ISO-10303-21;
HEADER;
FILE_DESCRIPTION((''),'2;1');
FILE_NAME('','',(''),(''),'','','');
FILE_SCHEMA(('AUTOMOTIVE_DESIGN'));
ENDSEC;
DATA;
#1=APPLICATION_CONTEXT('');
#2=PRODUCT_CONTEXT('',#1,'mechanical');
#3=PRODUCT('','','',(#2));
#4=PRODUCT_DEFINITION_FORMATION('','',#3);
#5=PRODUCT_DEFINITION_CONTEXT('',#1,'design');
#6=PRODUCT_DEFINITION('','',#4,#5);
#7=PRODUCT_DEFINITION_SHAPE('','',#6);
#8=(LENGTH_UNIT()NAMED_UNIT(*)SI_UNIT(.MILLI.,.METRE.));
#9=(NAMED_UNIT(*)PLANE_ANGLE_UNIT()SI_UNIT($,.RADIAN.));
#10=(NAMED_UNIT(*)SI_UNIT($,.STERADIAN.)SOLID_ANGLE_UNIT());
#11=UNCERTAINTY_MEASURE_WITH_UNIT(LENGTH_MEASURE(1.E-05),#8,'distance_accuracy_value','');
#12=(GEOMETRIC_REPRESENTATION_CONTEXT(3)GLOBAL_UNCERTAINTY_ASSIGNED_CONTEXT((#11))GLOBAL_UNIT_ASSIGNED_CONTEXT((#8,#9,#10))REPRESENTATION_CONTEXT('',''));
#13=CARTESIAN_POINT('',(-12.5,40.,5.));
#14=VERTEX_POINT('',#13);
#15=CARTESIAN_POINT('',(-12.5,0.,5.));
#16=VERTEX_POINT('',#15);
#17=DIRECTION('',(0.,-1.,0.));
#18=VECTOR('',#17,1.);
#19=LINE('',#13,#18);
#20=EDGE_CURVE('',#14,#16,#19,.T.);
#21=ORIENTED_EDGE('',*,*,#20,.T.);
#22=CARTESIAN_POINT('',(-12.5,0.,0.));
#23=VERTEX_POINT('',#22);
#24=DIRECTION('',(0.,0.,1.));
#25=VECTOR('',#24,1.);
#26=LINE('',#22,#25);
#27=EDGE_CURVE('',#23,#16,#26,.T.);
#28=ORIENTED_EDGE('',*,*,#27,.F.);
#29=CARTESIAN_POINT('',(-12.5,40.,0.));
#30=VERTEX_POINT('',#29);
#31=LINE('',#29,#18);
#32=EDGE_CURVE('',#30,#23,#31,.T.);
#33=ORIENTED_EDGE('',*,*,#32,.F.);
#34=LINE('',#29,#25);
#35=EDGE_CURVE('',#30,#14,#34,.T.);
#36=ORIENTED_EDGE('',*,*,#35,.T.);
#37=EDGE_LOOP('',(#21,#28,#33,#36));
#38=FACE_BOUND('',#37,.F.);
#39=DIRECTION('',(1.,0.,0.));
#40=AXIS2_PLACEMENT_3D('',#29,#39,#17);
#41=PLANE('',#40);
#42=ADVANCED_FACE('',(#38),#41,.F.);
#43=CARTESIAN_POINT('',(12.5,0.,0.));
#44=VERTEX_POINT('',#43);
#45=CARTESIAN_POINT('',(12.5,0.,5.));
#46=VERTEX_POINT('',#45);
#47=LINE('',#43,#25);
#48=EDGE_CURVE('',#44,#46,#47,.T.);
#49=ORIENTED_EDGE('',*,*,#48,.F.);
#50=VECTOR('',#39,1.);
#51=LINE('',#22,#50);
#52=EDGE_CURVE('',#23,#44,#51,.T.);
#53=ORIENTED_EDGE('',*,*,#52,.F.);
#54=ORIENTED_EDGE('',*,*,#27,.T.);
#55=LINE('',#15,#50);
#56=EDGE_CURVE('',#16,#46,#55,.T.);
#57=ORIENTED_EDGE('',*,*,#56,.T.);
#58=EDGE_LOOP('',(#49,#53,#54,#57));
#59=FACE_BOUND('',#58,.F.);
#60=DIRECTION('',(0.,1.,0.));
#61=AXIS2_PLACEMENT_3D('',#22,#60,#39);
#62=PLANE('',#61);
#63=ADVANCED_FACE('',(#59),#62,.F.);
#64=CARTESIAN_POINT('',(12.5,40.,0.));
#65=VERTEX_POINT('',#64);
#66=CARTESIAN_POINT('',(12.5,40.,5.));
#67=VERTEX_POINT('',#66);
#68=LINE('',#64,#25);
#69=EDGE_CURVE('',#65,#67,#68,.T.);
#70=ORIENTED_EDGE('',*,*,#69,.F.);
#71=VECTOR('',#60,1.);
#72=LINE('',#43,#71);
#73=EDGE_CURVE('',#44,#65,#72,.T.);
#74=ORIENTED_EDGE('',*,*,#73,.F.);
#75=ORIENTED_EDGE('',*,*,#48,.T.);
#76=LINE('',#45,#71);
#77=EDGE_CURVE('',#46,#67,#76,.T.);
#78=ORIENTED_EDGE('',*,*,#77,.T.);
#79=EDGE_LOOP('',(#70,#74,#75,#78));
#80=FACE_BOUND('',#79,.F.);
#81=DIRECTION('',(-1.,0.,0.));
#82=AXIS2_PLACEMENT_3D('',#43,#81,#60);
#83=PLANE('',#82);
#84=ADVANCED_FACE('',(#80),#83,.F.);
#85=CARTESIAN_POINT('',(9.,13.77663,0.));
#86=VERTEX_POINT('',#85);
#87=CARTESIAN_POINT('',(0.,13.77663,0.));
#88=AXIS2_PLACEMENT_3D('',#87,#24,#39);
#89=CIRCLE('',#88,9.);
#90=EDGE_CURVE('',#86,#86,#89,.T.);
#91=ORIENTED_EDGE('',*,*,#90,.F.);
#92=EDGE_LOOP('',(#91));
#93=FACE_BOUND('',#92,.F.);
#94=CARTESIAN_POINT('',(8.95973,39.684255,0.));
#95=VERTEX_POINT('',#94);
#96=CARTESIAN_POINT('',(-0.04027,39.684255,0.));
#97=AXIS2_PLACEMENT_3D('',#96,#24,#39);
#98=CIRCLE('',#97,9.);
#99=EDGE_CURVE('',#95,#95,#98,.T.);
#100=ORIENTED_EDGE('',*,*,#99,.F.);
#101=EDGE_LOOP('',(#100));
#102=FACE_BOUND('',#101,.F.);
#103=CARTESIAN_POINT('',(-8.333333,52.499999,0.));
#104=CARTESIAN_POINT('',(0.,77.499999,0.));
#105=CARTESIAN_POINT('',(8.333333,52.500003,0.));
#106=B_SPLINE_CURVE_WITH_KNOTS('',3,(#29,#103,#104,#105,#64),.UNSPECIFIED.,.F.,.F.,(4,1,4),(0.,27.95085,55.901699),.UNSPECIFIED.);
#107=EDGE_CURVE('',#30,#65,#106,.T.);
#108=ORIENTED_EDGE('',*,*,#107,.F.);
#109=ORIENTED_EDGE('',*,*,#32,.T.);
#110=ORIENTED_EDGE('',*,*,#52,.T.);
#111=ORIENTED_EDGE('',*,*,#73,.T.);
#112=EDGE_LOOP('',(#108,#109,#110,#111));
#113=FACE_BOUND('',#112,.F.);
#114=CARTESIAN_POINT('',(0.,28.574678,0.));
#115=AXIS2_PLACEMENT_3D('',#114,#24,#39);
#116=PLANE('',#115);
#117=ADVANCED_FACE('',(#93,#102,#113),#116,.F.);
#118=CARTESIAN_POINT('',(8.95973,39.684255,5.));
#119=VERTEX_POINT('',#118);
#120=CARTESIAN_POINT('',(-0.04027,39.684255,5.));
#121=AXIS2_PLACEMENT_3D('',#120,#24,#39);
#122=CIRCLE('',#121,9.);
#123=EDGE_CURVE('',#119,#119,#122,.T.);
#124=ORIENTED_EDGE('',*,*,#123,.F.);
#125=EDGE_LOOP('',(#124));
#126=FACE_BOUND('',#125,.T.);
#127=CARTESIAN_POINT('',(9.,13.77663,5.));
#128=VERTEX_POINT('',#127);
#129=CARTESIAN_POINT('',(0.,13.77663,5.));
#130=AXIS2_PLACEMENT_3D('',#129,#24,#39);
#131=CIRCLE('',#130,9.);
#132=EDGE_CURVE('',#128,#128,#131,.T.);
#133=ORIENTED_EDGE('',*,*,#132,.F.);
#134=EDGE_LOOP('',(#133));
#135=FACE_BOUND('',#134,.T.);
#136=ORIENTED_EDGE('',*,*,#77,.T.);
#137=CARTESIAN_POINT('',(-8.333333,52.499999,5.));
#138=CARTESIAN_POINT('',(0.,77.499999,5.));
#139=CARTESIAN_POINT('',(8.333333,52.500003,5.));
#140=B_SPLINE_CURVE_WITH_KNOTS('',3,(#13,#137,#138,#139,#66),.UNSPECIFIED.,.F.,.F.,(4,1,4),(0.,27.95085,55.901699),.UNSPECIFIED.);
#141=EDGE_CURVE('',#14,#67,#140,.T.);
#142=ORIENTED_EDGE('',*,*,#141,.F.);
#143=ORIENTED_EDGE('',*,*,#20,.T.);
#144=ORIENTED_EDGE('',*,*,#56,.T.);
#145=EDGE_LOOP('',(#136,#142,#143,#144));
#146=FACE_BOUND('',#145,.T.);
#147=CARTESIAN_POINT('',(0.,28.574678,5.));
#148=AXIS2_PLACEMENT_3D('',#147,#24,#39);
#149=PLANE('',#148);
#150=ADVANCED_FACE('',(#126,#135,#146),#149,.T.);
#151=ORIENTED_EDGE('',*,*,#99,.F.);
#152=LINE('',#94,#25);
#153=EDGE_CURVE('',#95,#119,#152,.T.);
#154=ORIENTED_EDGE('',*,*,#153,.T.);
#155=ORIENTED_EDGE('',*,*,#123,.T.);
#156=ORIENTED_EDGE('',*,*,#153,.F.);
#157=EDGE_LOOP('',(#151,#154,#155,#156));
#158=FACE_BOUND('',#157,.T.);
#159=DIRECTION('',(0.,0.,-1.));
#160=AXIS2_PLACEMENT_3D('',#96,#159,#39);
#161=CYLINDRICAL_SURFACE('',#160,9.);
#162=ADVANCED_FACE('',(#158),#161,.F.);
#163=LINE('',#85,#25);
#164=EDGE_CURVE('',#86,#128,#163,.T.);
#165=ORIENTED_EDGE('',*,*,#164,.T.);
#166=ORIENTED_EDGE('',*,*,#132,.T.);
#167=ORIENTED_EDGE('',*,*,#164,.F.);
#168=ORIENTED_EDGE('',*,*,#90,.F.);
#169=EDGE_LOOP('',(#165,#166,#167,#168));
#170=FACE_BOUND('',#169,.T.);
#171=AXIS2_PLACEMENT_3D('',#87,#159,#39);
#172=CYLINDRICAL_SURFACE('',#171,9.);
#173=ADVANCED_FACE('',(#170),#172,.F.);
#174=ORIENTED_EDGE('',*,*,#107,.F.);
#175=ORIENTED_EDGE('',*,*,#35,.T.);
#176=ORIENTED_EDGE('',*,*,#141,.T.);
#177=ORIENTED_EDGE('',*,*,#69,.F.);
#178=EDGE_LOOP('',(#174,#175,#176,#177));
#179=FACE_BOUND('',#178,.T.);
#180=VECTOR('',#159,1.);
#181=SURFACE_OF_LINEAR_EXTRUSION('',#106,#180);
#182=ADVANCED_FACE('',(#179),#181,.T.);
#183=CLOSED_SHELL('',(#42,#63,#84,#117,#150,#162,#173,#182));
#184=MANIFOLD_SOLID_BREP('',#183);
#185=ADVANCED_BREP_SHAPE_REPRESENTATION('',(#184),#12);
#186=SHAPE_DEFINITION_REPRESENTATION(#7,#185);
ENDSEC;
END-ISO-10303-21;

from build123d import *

# Parameters (mm, degrees)
F0_R     = 9
F1_DEPTH = 5


with BuildPart() as f1:
    # F0 (on Top) → F1 (new body)
    with BuildSketch(Plane.XY):
        with BuildLine():
            Line((-12.5, 0), (0, 0))
            Line((0, 0), (12.5, 0))
            Line((12.5, 0), (12.5, 40))
            add(Edge.make_bspline(
                [(-12.5, 40), (-8.333333, 52.499999), (0, 77.499999), (8.333333, 52.500003), (12.5, 40)],
                knots=[0, 0, 0, 0, 27.95085, 55.901699, 55.901699, 55.901699, 55.901699], degree=3))
            Line((-12.5, 40), (-12.5, 0))
        make_face()
        with Locations((0, 13.77663)):
            Circle(F0_R, mode=Mode.SUBTRACT)
        with Locations((-0.04027, 39.684255)):
            Circle(F0_R, mode=Mode.SUBTRACT)
    extrude(amount=F1_DEPTH)


solid = f1.part
